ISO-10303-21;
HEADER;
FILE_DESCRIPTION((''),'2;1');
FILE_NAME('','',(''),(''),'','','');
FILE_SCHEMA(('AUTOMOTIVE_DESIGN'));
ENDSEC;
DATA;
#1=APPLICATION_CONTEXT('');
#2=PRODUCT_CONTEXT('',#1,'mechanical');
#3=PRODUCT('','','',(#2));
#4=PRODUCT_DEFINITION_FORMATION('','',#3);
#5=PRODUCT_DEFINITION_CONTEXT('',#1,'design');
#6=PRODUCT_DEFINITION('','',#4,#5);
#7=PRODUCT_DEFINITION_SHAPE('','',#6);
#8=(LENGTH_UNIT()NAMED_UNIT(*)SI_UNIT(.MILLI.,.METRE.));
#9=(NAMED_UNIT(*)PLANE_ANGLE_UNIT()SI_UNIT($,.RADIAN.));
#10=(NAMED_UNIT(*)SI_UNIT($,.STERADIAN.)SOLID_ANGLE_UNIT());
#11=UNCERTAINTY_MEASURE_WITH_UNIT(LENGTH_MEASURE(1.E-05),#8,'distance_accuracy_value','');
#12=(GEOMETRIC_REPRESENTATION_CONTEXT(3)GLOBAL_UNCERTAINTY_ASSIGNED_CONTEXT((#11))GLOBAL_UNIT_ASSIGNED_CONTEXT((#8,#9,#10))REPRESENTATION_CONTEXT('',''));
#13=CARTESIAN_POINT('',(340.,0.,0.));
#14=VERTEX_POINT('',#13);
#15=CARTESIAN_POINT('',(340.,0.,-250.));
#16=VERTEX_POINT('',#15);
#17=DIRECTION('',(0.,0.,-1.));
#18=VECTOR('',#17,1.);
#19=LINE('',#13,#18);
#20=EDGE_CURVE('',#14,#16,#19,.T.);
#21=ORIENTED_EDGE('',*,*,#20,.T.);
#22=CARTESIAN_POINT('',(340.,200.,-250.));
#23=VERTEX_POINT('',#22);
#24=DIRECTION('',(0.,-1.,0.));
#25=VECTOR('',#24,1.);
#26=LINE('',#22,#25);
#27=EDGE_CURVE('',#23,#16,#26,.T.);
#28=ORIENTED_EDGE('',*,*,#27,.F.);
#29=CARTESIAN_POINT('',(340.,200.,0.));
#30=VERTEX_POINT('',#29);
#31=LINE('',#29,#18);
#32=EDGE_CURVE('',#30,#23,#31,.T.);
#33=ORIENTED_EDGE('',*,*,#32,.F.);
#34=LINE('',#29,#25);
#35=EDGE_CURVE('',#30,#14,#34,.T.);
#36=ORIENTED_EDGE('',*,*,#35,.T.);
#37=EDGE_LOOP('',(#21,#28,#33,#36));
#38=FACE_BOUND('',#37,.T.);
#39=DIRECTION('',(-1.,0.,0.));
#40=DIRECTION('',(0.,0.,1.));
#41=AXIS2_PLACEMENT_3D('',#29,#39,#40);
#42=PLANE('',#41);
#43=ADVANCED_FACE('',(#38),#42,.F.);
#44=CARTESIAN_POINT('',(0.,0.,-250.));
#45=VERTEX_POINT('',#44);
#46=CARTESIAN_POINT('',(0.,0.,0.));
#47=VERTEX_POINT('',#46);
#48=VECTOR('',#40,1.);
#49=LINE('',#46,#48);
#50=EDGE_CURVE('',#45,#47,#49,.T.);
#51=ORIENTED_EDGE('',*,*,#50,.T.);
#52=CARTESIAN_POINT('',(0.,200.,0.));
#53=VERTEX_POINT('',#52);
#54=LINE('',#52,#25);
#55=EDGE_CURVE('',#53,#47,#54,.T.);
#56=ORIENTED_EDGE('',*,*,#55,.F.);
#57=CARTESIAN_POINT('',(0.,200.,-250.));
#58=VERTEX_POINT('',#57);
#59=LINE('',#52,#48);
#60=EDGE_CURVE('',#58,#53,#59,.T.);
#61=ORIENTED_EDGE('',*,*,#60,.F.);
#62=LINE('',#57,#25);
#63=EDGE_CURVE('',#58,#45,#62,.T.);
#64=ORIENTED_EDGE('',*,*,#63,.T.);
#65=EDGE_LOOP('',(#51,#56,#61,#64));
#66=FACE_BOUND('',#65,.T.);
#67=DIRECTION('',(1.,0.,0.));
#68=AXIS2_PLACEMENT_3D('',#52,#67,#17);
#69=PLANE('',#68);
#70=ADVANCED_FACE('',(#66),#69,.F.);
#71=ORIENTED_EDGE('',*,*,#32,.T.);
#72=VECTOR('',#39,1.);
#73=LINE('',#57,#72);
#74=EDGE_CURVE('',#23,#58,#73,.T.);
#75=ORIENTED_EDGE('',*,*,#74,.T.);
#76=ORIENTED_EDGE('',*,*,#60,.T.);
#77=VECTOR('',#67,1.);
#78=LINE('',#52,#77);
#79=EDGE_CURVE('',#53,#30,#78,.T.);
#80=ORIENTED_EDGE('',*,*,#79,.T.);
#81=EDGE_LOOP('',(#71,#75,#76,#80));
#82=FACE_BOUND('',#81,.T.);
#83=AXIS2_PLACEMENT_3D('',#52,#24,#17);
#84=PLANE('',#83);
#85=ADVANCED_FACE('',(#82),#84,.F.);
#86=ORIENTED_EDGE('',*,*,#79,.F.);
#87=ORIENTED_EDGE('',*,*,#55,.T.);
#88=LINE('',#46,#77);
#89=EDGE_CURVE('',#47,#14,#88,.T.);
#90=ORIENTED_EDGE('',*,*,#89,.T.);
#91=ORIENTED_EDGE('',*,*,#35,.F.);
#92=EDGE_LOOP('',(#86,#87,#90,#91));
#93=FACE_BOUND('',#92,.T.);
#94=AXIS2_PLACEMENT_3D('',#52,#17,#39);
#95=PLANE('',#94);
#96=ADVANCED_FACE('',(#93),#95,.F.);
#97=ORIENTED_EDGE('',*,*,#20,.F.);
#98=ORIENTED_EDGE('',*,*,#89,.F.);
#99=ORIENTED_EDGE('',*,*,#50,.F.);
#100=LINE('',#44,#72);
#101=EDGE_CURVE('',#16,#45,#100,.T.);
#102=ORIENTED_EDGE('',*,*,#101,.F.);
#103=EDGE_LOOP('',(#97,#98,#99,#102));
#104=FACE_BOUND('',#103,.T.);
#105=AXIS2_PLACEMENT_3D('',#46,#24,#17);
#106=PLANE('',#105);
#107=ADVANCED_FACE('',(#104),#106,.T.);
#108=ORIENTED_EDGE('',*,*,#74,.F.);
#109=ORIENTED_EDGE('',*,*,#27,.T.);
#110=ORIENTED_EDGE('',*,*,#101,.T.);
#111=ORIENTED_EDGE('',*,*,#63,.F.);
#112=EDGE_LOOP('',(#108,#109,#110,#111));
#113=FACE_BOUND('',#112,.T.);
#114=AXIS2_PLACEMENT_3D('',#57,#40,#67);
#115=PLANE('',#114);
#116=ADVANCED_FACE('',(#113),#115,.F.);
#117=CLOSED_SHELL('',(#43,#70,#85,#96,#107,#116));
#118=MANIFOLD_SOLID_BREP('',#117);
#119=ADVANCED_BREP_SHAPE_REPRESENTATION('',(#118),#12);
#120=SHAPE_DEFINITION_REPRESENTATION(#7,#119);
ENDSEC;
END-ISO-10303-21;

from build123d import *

# Parameters (mm, degrees)
SKETCH1_W           = 340
SKETCH1_H           = 250
BOSS_EXTRUDE1_DEPTH = 200


with BuildPart() as part:
    # Sketch1 → Boss-Extrude1 (new body)
    with BuildSketch(Plane(origin=(0, 0, 0), x_dir=(1, 0, 0), z_dir=(0, 1, 0))):
        with Locations((170, 125)):
            Rectangle(SKETCH1_W, SKETCH1_H)
    extrude(amount=BOSS_EXTRUDE1_DEPTH)


solid = part.part
